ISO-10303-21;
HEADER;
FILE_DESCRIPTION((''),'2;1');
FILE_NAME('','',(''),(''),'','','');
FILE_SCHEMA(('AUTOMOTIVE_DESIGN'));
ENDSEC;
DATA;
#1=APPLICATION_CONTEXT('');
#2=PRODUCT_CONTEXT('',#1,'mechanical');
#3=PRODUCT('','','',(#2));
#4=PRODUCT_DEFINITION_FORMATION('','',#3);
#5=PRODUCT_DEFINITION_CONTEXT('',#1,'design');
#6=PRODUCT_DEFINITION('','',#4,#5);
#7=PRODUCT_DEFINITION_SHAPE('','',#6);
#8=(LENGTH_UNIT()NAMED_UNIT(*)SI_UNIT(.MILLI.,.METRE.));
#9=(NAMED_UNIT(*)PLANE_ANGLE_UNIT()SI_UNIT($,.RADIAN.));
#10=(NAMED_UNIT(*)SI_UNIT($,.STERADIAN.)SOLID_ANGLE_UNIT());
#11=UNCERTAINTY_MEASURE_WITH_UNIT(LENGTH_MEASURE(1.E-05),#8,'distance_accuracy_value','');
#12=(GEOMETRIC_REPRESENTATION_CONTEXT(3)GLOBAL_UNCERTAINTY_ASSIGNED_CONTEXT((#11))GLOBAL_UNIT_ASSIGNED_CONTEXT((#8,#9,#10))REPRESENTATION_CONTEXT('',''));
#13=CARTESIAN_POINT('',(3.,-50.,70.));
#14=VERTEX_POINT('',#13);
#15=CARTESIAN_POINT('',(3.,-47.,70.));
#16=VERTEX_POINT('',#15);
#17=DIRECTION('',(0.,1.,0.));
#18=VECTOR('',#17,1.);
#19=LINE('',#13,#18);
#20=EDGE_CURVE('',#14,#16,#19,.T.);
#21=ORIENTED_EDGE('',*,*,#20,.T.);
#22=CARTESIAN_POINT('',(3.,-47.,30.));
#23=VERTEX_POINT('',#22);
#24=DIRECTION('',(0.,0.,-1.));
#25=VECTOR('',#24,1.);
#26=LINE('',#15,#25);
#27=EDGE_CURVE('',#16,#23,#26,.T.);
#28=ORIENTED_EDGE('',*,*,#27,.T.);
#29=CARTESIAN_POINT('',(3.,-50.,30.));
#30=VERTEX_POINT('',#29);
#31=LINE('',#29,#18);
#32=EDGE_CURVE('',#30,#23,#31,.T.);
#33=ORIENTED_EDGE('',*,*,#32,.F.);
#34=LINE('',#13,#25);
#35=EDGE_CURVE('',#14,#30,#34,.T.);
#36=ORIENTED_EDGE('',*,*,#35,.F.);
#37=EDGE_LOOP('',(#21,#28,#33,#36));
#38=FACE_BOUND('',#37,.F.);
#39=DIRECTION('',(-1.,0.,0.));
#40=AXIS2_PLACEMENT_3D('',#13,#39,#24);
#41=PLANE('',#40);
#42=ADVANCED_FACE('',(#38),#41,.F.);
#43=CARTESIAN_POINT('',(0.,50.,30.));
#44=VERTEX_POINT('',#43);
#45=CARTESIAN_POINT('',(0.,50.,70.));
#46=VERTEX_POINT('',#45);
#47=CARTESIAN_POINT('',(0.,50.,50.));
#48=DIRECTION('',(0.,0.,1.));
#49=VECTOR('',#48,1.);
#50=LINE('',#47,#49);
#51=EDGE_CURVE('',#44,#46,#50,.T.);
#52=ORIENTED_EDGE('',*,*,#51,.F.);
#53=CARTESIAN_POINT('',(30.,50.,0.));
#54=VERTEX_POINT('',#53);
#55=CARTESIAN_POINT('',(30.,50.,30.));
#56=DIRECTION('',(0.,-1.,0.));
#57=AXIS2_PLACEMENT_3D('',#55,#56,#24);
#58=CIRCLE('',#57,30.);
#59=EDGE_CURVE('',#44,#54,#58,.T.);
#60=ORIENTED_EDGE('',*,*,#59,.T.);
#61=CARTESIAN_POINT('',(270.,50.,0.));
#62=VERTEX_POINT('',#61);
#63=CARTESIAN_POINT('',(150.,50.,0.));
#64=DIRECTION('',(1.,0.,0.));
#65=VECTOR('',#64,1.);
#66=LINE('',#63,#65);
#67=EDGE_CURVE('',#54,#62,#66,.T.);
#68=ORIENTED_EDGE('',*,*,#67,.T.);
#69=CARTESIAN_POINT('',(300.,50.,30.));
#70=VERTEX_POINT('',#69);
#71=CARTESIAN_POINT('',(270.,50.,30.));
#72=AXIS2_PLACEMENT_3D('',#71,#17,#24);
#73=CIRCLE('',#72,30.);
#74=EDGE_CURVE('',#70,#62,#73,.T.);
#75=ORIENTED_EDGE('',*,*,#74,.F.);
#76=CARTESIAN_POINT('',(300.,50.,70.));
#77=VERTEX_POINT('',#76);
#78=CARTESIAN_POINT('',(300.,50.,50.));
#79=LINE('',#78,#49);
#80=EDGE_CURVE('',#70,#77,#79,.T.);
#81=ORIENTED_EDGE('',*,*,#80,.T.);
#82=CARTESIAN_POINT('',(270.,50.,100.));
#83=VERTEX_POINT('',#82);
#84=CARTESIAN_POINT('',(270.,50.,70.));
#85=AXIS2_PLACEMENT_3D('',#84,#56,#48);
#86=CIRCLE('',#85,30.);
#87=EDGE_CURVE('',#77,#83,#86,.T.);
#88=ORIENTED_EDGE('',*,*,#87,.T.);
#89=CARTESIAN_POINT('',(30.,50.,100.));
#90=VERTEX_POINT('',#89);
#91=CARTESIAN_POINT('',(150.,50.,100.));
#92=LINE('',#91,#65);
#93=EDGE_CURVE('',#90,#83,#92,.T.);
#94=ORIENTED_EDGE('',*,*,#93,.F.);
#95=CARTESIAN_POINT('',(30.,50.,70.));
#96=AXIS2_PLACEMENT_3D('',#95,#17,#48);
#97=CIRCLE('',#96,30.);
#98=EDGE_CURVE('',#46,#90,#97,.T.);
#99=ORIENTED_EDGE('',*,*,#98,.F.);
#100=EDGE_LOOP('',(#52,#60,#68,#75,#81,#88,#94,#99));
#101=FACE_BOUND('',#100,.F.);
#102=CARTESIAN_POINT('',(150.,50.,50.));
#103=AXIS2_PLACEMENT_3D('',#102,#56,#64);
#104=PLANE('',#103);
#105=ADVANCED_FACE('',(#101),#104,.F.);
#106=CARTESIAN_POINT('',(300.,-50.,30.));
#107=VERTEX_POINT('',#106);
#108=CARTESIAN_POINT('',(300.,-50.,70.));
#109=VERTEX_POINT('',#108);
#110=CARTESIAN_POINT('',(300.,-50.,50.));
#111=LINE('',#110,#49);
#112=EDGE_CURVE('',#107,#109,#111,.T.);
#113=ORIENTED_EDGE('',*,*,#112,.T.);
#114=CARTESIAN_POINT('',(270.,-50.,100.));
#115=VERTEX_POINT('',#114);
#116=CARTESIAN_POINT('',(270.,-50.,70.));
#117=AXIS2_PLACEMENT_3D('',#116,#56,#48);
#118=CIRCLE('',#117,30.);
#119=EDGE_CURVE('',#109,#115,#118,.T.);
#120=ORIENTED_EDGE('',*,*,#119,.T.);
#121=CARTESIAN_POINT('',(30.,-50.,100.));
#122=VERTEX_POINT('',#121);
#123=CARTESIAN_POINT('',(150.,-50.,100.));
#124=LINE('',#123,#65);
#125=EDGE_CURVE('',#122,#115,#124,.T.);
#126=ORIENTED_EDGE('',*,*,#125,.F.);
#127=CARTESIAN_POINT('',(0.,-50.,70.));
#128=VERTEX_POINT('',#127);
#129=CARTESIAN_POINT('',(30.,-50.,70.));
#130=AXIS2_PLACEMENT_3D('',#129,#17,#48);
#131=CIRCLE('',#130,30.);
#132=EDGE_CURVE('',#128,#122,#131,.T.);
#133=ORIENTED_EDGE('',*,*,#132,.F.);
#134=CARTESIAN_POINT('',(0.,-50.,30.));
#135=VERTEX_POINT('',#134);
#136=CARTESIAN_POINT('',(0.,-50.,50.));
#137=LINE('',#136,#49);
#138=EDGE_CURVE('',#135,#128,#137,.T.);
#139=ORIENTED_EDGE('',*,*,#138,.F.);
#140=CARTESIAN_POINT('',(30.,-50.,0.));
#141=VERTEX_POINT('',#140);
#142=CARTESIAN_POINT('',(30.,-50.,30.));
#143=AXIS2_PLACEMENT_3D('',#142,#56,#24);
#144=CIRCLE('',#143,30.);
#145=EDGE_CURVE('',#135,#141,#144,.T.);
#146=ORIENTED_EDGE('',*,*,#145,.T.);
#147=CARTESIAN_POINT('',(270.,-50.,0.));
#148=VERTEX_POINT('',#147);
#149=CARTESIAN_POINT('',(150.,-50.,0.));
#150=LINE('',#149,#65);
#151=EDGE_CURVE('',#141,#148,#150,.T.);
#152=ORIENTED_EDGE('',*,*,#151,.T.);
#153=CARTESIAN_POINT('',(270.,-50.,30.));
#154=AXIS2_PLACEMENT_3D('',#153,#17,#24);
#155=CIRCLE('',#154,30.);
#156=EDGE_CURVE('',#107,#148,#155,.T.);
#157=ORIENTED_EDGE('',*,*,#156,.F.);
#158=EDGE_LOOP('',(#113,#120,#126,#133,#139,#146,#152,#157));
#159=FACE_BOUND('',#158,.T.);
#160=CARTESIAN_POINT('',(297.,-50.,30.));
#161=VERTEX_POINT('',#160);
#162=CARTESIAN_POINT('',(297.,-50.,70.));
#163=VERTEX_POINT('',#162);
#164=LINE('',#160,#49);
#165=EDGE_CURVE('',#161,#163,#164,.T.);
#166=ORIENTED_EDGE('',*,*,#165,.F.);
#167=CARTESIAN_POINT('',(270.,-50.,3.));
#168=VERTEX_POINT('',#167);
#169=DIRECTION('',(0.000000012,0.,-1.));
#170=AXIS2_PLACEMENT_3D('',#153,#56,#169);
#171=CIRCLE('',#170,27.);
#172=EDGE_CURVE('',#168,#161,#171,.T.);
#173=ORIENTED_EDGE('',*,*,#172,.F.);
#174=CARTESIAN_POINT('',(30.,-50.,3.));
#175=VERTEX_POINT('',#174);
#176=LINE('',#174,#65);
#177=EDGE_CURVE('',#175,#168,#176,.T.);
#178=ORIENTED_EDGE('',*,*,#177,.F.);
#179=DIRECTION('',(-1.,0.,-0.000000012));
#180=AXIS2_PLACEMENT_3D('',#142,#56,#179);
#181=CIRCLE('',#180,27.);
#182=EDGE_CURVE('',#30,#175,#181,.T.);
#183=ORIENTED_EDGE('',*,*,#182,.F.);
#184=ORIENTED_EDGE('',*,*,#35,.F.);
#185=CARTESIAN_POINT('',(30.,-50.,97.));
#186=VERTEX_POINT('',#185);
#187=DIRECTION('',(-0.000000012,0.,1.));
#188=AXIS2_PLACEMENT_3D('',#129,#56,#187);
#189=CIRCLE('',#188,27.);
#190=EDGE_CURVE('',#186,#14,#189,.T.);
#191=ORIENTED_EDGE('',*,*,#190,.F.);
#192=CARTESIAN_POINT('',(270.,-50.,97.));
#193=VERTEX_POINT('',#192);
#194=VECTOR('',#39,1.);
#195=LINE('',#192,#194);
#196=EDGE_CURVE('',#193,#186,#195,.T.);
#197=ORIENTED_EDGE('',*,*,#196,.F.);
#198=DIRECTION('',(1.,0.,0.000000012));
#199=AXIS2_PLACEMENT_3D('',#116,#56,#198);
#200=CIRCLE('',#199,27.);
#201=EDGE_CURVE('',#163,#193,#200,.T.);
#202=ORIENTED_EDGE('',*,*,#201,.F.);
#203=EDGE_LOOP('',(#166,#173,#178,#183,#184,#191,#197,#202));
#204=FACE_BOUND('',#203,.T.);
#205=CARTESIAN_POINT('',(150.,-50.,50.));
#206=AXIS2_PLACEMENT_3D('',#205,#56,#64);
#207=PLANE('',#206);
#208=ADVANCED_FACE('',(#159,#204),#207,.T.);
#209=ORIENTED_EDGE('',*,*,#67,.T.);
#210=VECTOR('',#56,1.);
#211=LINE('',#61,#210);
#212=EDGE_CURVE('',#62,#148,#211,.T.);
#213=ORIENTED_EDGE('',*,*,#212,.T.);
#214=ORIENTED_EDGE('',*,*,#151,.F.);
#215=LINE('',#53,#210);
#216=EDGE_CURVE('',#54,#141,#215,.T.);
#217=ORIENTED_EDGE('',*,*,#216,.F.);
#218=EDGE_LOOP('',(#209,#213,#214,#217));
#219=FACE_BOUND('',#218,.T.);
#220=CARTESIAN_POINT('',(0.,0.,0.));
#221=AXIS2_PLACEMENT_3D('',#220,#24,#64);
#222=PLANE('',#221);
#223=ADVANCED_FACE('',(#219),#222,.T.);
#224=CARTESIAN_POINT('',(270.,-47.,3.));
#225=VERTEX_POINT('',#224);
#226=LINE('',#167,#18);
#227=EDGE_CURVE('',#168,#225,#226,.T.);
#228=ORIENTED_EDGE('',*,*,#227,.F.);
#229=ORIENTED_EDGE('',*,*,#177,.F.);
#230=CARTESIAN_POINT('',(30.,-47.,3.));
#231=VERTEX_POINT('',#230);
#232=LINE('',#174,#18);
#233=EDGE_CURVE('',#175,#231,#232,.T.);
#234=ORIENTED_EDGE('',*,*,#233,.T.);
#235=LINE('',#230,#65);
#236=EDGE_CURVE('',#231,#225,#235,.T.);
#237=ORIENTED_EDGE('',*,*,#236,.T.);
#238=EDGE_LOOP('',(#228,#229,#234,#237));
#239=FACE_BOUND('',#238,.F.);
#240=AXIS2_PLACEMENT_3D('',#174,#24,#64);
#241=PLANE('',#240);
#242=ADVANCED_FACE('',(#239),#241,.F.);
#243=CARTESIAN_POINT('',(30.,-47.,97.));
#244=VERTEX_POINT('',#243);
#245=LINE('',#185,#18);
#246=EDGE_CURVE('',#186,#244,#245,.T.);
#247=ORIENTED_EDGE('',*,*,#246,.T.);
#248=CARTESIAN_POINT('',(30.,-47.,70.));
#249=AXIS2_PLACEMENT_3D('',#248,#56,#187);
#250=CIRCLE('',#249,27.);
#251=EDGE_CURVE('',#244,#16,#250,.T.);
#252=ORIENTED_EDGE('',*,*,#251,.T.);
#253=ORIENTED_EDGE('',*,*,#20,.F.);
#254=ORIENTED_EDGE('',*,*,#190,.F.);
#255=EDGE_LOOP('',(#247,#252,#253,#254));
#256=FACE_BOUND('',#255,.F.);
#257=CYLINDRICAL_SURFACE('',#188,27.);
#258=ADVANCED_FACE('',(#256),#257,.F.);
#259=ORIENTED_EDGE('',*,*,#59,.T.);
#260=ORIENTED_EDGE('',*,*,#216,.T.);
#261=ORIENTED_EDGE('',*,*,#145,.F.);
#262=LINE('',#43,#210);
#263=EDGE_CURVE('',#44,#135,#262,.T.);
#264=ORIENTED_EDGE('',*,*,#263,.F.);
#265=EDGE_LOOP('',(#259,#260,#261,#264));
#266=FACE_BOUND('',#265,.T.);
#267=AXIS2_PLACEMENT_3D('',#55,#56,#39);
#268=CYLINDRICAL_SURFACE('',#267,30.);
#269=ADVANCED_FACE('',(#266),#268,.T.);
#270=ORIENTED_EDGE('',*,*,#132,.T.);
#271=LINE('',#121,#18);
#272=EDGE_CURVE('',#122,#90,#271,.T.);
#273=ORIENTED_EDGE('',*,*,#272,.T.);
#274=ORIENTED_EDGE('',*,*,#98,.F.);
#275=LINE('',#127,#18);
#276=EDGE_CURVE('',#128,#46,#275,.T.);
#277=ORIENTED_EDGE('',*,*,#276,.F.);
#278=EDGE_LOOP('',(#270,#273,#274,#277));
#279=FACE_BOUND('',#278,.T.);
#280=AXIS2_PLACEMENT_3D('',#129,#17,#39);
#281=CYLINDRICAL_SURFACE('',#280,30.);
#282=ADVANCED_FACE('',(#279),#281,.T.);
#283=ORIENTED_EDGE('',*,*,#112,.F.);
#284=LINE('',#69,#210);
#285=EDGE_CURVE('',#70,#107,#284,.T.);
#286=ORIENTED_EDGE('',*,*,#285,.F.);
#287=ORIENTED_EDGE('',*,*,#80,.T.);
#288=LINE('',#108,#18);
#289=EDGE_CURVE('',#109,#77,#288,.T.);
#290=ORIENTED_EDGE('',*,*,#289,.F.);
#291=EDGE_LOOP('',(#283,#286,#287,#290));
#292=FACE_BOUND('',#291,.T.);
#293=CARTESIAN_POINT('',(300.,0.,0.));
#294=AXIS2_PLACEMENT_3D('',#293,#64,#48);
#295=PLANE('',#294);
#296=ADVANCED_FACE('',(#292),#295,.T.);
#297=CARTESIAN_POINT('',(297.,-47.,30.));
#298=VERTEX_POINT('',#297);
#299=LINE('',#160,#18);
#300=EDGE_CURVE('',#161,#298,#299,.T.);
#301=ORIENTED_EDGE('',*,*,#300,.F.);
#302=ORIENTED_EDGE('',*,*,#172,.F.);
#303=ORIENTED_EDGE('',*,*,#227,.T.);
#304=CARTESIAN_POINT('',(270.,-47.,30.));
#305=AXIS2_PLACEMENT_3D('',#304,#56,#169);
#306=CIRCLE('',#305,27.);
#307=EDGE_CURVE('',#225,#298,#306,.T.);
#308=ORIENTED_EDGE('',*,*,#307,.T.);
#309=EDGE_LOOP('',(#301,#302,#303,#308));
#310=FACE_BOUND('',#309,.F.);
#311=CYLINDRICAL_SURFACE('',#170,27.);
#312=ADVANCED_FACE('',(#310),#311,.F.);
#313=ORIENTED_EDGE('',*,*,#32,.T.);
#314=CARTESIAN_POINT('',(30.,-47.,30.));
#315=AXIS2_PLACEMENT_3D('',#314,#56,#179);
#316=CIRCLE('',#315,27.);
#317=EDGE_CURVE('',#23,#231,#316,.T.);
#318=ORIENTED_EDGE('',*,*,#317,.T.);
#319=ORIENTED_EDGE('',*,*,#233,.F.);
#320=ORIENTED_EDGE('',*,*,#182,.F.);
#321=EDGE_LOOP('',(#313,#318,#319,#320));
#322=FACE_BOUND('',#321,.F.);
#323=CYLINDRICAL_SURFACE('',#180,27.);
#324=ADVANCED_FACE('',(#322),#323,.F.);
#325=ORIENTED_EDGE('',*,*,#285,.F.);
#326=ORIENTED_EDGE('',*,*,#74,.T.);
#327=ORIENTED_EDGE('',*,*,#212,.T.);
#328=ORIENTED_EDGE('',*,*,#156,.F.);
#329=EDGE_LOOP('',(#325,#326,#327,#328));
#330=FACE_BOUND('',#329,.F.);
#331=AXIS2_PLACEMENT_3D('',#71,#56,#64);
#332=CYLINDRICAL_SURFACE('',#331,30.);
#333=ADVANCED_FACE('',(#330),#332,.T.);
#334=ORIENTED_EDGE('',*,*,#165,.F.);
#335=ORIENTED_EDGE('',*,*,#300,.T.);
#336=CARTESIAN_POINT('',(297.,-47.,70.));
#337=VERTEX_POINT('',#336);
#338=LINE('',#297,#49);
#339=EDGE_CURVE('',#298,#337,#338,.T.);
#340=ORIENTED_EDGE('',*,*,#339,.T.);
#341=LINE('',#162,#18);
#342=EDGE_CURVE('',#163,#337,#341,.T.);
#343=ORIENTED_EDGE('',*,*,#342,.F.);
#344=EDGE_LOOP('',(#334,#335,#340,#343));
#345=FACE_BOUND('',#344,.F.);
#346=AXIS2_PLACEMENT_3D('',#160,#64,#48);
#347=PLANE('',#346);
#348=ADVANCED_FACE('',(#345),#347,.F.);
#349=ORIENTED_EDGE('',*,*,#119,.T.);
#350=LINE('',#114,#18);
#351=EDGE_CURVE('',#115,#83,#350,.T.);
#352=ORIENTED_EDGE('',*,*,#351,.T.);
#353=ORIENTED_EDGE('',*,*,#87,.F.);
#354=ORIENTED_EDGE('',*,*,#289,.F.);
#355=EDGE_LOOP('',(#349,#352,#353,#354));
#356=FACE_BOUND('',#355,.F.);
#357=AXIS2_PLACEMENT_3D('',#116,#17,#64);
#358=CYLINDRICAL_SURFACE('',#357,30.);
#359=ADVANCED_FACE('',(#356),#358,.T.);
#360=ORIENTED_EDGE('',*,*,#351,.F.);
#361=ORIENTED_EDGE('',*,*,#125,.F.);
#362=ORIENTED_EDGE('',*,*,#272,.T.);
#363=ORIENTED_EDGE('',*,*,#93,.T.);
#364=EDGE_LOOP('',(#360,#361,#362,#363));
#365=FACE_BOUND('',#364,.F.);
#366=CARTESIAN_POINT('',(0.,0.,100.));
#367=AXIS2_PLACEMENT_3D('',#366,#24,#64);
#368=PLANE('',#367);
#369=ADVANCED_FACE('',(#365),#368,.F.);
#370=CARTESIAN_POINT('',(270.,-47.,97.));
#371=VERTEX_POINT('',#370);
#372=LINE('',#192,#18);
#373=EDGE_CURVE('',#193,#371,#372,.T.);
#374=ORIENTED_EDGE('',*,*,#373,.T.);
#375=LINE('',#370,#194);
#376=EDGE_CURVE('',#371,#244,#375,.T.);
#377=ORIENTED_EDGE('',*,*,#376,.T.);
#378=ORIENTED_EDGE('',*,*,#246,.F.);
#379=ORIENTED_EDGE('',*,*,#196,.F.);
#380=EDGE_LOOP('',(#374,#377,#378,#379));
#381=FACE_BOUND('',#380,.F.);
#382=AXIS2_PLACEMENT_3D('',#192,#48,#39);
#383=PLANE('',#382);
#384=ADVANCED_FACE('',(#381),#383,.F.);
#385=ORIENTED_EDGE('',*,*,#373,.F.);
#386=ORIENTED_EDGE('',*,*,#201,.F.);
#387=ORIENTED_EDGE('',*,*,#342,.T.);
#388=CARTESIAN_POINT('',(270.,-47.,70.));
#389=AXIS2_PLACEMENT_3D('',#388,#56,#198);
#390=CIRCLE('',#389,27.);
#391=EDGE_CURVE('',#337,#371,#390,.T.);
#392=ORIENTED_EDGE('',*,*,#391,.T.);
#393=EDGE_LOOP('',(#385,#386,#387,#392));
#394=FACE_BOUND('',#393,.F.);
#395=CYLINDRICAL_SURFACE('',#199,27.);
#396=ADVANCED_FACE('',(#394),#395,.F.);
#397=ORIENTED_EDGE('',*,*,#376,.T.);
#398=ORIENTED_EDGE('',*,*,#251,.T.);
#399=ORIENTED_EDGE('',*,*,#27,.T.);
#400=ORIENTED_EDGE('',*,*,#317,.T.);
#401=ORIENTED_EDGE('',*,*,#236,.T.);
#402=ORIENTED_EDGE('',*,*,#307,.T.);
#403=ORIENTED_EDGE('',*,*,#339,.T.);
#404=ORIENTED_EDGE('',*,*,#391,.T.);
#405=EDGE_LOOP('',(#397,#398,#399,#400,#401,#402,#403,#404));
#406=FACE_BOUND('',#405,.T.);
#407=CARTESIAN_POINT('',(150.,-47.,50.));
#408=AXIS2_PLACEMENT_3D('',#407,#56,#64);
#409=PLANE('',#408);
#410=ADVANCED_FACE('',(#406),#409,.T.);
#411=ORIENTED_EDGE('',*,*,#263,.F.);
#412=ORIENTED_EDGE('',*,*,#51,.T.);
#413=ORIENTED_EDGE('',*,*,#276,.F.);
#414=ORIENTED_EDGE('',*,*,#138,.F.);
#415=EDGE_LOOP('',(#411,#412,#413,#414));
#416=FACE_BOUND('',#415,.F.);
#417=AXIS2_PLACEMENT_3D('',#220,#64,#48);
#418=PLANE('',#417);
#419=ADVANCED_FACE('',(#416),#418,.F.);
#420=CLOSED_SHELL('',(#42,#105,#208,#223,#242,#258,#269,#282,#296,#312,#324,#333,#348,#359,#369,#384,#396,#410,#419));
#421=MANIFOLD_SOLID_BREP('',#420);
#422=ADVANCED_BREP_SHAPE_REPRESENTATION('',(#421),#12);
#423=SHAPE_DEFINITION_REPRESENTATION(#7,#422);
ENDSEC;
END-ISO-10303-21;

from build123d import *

# Parameters (mm, degrees)
F0_W     = 300
F0_H     = 100
F1_DEPTH = 50
F2_R     = 30
F3_DEPTH = 3


with BuildPart() as f1:
    # F0 (on Front) → F1 (new body, symmetric)
    with BuildSketch(Plane.XZ):
        with Locations((150, 50)):
            Rectangle(F0_W, F0_H)
    extrude(amount=F1_DEPTH, both=True)

    # F2
    f2_edges = [f1.edges().sort_by_distance(p)[0] for p in [
        (0, 0, 100),
        (0, 0, 0),
        (300, 0, 100),
        (300, 0, 0),
    ]]
    fillet(f2_edges, radius=F2_R)

    # F4 (on face) → F3 (cut)
    with BuildSketch(Plane.XZ.offset(50)):
        with BuildLine():
            ThreePointArc((3, 30), (10.908117, 10.908117), (30, 3))
            Line((30, 3), (270, 3))
            ThreePointArc((270, 3), (289.091883, 10.908117), (297, 30))
            Line((297, 30), (297, 70))
            ThreePointArc((297, 70), (289.091883, 89.091883), (270, 97))
            Line((270, 97), (30, 97))
            ThreePointArc((30, 97), (10.908117, 89.091883), (3, 70))
            Line((3, 70), (3, 30))
        make_face()
    extrude(amount=-F3_DEPTH, mode=Mode.SUBTRACT)


solid = f1.part
